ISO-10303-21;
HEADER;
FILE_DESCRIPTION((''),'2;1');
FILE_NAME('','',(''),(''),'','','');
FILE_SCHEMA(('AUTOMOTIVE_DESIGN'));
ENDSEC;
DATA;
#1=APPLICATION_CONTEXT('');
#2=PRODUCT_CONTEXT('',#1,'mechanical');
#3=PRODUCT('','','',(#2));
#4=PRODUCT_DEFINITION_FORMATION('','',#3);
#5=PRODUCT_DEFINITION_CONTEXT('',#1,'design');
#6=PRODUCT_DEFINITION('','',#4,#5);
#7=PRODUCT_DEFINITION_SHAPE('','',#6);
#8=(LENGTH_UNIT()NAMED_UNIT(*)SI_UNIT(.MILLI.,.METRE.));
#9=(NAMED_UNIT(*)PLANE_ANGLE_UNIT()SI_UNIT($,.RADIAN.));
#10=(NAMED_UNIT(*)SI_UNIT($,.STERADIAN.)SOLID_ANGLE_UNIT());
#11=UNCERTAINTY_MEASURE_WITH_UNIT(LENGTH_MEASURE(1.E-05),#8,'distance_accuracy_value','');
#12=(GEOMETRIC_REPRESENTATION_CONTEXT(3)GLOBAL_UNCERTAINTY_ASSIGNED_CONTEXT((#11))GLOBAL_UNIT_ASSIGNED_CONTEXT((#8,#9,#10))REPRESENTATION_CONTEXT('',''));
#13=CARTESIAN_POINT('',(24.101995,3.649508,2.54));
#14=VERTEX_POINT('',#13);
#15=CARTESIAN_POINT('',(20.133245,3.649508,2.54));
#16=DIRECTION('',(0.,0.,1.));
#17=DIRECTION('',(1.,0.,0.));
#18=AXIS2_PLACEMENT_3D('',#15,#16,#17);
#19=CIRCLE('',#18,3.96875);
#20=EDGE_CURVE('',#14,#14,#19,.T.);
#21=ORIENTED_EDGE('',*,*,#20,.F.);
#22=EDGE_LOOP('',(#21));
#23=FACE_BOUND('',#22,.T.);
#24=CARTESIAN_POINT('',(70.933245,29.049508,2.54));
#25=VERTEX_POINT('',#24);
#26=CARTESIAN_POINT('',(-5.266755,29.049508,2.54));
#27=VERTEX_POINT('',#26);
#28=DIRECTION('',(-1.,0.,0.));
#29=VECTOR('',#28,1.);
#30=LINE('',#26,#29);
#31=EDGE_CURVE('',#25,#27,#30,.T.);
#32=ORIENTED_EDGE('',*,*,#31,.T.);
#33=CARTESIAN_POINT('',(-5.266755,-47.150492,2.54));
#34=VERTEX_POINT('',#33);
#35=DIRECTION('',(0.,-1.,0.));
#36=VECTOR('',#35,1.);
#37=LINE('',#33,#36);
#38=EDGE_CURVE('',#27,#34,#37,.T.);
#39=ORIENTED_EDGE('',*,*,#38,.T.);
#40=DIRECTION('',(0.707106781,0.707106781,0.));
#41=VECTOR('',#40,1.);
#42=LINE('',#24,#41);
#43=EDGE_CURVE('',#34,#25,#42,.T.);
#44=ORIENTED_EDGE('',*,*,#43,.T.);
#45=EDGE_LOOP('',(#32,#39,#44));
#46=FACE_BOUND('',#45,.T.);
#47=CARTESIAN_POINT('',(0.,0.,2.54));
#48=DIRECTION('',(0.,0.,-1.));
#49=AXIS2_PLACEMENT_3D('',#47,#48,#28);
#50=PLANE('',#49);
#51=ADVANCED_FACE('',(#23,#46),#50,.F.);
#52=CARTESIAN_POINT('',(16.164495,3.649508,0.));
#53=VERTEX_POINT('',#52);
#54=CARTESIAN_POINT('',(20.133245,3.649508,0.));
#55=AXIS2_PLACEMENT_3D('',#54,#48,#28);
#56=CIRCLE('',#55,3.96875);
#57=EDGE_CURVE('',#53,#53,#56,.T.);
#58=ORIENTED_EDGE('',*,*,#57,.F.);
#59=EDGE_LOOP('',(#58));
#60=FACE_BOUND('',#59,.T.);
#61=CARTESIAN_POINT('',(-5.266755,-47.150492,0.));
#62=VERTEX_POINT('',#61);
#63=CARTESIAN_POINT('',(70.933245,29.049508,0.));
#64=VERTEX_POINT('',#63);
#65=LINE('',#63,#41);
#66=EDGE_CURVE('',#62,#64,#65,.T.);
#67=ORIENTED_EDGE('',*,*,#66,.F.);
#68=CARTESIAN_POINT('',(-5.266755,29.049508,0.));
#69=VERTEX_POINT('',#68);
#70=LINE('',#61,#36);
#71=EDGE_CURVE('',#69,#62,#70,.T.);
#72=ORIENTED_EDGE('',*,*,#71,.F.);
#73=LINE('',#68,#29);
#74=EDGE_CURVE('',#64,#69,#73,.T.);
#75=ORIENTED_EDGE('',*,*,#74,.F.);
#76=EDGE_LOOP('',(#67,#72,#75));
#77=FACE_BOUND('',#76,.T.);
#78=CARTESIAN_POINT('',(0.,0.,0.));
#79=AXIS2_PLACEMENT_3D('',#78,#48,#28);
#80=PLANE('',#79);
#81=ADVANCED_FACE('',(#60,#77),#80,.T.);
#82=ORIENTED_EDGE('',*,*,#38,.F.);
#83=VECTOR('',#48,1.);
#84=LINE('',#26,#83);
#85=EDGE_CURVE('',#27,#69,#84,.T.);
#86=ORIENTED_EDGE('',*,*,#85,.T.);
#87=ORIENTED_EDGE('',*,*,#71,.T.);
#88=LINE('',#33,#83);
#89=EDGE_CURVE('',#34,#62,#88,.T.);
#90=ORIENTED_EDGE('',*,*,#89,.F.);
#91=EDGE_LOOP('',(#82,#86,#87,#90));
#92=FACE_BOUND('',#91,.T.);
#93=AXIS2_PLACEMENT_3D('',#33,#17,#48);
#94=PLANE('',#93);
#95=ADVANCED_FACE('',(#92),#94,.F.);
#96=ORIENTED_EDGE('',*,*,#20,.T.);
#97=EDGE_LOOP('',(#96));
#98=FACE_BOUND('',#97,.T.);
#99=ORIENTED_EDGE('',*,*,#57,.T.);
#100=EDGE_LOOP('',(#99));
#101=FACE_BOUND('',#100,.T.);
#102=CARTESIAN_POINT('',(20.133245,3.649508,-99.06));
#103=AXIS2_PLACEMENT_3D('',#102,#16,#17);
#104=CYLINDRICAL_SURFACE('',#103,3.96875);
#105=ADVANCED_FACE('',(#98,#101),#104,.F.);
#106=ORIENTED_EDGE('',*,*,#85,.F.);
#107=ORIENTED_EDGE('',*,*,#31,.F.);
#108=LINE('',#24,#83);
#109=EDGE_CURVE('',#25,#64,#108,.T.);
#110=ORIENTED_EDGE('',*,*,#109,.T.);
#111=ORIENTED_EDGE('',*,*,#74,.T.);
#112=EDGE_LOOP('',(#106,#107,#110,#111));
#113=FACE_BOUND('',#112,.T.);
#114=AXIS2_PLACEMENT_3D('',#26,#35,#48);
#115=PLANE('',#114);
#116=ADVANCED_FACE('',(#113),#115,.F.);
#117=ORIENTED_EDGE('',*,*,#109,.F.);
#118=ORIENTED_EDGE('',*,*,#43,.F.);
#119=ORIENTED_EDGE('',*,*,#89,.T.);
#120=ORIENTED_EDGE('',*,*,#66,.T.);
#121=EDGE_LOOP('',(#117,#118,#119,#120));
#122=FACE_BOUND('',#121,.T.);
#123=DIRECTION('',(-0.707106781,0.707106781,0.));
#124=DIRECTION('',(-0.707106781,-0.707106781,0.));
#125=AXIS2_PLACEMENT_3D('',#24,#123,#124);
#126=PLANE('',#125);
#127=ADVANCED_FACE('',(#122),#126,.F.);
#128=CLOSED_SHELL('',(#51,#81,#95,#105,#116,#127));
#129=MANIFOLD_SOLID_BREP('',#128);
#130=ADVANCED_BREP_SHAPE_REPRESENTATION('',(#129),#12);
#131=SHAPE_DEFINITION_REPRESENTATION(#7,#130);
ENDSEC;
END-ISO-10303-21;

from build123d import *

# Parameters (mm, degrees)
BOSS_EXTRUDE1_DEPTH = 2.54
SKETCH3_R           = 3.96875
CUT_EXTRUDE3_DEPTH  = 101.6


with BuildPart() as part:
    # Sketch1 → Boss-Extrude1 (new body)
    with BuildSketch(Plane.XY):
        Polygon((-5.266755084, 29.049507652), (70.933244916, 29.049507652), (-5.266755084, -47.150492348), align=None)
    extrude(amount=BOSS_EXTRUDE1_DEPTH)

    # Sketch3 → Cut-Extrude3 (cut)
    with BuildSketch(Plane.XY.offset(2.54)):
        with Locations((20.133244916, 3.649507652)):
            Circle(SKETCH3_R)
    extrude(amount=-CUT_EXTRUDE3_DEPTH, mode=Mode.SUBTRACT)


solid = part.part
